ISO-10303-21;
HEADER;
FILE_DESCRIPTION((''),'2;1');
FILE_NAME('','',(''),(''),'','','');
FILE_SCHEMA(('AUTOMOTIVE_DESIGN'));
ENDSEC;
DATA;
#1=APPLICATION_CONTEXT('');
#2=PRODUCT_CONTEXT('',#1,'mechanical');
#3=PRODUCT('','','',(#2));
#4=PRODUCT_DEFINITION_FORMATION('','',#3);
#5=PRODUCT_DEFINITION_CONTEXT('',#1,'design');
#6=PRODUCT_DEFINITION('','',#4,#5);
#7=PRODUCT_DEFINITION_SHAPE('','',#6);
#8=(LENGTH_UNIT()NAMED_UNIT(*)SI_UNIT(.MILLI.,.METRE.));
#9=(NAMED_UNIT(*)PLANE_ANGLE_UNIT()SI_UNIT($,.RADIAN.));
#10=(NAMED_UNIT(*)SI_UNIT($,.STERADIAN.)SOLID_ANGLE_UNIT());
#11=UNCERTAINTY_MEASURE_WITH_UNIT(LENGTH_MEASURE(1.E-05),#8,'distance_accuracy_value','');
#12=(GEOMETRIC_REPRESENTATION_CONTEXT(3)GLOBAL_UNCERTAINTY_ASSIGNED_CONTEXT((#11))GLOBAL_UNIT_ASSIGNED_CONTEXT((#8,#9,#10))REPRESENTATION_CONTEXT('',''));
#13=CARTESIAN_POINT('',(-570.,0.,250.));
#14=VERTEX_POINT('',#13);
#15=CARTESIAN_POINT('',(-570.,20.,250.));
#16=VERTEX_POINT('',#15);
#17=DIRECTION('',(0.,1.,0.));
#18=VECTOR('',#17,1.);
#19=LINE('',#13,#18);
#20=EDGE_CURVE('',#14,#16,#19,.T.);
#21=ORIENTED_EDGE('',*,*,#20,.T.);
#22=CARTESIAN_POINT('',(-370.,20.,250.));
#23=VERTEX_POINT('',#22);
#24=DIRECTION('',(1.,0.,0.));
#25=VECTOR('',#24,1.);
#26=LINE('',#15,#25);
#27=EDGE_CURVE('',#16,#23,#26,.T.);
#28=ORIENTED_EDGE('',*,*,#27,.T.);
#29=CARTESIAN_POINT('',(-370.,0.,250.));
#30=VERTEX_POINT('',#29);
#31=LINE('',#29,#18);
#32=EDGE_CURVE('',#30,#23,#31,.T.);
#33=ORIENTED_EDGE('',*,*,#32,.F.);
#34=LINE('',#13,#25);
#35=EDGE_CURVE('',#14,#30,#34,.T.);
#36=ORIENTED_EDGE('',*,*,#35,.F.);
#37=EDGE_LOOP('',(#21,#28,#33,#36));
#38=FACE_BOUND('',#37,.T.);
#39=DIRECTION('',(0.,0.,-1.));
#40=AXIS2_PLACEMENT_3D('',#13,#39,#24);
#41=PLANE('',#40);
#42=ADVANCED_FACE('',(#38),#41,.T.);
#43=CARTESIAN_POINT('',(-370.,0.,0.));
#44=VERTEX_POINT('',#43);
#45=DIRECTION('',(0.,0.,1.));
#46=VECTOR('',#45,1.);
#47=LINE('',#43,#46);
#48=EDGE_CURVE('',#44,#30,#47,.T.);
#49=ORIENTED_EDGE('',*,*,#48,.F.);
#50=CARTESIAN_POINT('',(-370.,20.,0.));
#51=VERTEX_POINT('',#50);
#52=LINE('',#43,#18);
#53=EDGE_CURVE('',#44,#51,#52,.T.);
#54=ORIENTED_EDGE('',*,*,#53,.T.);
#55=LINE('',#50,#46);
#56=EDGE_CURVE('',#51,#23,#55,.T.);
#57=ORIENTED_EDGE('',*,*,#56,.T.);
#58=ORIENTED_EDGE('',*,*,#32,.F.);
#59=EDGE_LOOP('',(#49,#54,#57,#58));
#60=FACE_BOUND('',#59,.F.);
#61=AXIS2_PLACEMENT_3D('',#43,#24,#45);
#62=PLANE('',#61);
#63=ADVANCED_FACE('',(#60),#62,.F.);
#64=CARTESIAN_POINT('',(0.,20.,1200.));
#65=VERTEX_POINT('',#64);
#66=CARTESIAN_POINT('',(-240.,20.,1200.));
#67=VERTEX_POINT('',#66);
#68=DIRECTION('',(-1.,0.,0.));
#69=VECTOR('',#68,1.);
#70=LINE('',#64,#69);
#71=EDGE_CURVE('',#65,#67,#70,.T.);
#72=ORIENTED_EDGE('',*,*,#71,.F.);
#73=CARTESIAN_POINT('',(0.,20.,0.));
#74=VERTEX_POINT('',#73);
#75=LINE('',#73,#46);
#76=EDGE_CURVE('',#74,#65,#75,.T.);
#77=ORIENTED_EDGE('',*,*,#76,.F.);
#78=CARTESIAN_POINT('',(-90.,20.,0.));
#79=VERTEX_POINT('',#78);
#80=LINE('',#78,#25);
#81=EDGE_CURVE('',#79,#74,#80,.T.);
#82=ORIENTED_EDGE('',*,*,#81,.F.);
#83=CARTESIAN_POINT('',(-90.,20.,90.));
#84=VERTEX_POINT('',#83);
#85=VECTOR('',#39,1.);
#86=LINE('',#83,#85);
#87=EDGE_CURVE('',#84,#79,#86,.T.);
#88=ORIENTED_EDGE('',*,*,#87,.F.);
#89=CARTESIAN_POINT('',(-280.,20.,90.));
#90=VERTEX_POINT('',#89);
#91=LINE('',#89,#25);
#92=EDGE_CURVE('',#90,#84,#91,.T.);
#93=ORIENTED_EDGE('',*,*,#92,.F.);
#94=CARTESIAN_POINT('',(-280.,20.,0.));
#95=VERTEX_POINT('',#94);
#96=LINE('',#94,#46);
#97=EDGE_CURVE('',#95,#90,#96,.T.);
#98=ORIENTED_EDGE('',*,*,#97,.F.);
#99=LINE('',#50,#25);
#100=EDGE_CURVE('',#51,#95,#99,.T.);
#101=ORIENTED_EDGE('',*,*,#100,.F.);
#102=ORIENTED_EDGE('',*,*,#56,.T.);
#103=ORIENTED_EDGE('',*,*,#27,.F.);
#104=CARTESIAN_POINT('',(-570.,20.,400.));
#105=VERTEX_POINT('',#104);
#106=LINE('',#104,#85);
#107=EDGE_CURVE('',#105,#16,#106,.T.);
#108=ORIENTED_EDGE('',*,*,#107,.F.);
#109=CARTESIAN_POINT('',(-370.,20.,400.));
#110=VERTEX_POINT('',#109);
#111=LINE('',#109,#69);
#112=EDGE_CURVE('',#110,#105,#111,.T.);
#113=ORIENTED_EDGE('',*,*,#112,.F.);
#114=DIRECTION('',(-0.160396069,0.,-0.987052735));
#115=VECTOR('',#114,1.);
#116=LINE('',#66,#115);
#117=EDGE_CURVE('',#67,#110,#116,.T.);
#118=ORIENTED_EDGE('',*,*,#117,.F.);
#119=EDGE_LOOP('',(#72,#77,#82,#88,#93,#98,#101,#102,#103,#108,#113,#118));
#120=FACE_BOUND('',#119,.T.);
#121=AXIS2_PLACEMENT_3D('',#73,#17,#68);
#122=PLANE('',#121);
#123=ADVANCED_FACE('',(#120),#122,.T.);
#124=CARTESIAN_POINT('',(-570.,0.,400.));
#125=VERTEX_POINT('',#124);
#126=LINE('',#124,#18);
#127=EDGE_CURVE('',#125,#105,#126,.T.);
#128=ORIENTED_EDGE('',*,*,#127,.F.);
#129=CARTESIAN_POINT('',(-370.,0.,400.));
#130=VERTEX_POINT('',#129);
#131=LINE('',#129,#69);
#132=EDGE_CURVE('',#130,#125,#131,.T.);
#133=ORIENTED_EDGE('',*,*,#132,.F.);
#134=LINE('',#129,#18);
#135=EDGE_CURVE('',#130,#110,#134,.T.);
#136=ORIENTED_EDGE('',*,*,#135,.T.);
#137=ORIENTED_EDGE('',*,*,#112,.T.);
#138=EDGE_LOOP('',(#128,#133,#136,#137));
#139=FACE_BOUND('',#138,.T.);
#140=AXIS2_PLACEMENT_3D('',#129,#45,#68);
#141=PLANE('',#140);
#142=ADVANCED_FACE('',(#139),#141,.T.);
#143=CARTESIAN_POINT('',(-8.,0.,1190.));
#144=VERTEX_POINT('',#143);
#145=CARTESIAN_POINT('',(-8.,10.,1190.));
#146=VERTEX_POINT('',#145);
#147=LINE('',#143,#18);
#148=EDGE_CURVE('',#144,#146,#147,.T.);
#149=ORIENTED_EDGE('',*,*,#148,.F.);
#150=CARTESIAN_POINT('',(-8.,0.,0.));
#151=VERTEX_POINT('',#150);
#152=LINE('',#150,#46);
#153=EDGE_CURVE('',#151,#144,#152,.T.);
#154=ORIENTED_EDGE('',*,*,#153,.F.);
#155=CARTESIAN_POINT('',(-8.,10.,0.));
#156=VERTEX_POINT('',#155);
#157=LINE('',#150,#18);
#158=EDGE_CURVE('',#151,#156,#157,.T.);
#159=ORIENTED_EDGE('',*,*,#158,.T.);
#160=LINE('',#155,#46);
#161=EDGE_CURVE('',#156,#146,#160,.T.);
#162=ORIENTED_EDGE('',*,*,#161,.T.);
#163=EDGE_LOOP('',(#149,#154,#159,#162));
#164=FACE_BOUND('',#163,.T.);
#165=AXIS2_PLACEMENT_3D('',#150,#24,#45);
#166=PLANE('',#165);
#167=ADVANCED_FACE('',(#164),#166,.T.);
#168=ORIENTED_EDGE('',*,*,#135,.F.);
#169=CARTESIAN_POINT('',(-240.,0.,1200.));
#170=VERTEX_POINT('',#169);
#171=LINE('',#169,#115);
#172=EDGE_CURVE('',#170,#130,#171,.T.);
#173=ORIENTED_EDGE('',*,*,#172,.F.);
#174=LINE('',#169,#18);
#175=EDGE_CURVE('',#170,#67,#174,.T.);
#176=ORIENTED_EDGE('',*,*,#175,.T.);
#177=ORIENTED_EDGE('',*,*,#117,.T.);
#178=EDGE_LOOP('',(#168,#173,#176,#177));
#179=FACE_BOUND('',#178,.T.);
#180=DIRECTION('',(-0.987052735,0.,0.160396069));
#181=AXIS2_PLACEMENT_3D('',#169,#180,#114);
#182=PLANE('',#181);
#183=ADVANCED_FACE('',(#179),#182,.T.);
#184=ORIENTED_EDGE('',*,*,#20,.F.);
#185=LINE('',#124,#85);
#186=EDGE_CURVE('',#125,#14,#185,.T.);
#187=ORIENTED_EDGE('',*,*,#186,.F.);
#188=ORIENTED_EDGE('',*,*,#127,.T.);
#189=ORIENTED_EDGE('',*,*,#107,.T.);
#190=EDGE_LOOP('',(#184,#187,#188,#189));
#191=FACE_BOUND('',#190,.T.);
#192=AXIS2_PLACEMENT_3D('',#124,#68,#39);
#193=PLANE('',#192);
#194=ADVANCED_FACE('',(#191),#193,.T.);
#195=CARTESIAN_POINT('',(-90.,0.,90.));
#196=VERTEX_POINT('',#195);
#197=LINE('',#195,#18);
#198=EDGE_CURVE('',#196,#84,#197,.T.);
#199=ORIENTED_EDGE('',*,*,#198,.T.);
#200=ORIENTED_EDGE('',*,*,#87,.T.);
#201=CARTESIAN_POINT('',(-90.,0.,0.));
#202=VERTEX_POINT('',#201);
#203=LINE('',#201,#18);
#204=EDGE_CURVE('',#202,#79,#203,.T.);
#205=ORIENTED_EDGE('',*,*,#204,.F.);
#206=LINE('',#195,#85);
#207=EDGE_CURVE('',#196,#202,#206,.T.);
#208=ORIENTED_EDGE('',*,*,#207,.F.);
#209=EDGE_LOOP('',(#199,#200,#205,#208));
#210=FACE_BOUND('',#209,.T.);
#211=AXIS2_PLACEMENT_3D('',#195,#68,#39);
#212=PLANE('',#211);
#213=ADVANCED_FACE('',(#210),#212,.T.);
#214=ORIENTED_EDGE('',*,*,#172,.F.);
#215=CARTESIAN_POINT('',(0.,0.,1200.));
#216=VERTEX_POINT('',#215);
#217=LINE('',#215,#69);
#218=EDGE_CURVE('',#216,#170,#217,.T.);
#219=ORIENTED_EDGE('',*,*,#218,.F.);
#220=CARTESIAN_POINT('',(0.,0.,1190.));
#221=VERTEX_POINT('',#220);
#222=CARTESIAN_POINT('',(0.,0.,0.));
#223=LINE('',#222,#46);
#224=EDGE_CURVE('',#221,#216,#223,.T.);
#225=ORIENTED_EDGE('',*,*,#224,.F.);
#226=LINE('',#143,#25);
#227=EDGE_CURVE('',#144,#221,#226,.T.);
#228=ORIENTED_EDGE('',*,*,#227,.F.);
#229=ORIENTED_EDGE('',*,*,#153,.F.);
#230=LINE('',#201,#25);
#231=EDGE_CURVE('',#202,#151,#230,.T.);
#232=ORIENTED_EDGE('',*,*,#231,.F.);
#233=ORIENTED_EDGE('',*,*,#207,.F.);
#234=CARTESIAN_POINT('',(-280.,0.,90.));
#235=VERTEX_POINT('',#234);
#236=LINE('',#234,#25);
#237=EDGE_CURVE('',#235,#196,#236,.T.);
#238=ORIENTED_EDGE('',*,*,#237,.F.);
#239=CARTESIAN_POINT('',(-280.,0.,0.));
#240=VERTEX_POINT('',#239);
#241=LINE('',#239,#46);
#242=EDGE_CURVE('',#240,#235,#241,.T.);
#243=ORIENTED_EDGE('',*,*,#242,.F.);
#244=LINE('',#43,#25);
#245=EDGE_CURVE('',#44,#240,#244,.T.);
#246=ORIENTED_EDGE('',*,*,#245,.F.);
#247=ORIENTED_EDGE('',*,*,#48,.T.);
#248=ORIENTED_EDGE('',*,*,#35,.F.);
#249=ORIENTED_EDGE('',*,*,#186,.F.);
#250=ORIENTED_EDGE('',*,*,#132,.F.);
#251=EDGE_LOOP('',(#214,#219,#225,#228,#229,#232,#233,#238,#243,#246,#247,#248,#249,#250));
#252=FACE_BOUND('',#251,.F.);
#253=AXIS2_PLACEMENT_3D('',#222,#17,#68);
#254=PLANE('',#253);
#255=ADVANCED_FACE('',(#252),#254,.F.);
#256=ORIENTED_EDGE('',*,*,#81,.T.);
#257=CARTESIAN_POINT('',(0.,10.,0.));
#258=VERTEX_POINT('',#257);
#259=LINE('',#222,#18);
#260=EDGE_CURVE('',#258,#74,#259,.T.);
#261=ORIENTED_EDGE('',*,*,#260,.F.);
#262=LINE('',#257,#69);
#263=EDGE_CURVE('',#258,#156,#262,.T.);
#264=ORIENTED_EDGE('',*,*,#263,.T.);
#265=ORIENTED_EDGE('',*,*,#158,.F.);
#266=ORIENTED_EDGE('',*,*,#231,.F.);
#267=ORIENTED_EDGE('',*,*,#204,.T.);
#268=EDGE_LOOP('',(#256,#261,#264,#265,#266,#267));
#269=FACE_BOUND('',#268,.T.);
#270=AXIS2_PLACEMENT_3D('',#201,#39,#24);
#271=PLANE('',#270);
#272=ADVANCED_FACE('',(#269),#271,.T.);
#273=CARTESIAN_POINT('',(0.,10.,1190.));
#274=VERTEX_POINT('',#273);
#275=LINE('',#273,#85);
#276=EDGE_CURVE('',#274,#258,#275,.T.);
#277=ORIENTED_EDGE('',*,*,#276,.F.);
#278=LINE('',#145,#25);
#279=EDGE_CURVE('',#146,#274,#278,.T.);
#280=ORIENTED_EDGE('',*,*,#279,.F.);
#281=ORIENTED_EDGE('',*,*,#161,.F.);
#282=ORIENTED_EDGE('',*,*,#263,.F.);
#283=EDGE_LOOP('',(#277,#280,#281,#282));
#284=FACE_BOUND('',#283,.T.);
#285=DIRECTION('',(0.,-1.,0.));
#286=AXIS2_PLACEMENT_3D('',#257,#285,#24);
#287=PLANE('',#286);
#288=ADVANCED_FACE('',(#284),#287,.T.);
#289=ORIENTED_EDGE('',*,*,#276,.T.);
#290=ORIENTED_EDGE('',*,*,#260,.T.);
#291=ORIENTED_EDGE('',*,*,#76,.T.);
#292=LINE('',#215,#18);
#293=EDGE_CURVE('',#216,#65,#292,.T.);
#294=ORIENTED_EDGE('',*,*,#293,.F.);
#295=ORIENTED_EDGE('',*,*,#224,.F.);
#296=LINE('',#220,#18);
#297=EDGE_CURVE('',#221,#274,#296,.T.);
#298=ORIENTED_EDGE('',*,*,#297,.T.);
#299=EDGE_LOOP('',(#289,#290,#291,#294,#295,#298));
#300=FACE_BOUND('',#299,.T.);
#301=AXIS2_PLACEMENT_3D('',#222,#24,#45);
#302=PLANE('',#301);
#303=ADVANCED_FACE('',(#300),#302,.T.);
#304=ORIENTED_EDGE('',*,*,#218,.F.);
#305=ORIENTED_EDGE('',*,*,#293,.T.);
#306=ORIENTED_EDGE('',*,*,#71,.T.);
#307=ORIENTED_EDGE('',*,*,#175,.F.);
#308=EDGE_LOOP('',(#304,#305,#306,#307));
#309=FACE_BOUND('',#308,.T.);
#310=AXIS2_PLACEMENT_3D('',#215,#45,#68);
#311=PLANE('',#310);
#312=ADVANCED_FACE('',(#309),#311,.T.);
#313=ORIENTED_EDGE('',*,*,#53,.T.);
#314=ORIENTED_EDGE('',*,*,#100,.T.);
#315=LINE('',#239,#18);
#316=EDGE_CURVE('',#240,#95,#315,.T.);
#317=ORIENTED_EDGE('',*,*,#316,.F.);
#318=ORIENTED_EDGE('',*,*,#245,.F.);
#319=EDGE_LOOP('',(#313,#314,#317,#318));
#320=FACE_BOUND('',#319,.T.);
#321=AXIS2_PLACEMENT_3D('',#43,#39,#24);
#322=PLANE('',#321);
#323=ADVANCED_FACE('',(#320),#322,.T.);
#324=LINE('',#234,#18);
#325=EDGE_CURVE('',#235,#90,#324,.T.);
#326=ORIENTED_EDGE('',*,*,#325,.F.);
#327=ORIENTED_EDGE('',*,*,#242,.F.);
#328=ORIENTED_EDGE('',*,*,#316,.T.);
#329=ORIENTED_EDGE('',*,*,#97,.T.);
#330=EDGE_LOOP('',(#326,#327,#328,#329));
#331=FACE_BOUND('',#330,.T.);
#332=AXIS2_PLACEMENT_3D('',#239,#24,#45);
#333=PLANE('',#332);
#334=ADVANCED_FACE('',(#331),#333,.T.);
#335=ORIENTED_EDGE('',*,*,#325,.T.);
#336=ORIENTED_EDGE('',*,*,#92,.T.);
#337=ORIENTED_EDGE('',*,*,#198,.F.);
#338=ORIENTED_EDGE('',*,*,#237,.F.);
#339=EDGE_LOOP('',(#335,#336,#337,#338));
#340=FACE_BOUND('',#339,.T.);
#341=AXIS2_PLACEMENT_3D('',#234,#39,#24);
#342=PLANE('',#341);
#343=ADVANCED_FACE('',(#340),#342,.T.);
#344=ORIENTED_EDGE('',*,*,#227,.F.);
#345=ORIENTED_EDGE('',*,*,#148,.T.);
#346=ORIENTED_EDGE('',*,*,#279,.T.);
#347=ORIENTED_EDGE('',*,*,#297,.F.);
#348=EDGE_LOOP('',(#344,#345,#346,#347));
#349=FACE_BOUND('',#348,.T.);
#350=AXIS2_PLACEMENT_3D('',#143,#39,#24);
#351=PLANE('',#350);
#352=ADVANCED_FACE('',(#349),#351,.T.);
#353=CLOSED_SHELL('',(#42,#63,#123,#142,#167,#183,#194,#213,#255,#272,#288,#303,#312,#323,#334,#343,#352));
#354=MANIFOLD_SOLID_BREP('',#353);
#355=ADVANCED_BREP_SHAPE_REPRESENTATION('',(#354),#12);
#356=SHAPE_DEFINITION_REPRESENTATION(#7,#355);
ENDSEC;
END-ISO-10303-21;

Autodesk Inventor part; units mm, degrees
ref_plane "YZ Plane" through (0, 0, 0) normal (1, 0, 0) x (0, 1, 0)
ref_plane "XZ Plane" through (0, 0, 0) normal (0, 1, 0) x (-1, 0, 0)
ref_plane "XY Plane" through (0, 0, 0) normal (0, 0, 1) x (1, 0, 0)
sketch "Sketch1" plane through (0, 0, 0) normal (0, 1, 0) x (-1, 0, 0)
  line L0 (0, 0) -> (0, 1200)
  line L1 (0, 1200) -> (240, 1200)
  line L2 (370, 400) -> (570, 400)
  line L3 (240, 1200) -> (370, 400)
  line L4 (570, 400) -> (570, 250)
  line L5 (570, 250) -> (370, 250)
  line L6 (370, 0) -> (370, 250)
  line L7 (370, 0) -> (280, 0)
  line L8 (280, 0) -> (280, 90)
  line L9 (280, 90) -> (90, 90)
  line L10 (90, 90) -> (90, 0)
  line L11 (90, 0) -> (0, 0)
  dimension "d2" = 1200
  dimension "d4" = 200
  dimension "d8" = 370
  dimension "d9" = 150
  dimension "d10" = 250
  dimension "d11" = 90
  dimension "d12" = 90
  dimension "d13" = 190
  dimension "d14" = 240
extrude "Extrusion1" add sketch "Sketch1" along normal blind 20
sketch "Sketch2" plane through (0, 0, 0) normal (0, -1, 0) x (1, 0, 0)
  line L0 (0, 0) -> (0, 1200) projected
  line L1 (0, 1200) -> (-240, 1200) projected
  line L2 (-240, 1200) -> (-240, 400) projected
  line L3 (-370, 400) -> (-570, 400) projected
  line L4 (-570, 400) -> (-570, 0) projected
  line L5 (-570, 0) -> (0, 0) projected
sketch "Sketch3" plane through (0, 0, 0) normal (0, -1, 0) x (1, 0, 0)
  line L0 (0, 0) -> (0, 1200) projected
  line L1 (0, 1200) -> (-240, 1200) projected
  line L2 (-240, 1200) -> (-370, 400) projected
  line L3 (-370, 400) -> (-570, 400) projected
  line L4 (-570, 400) -> (-570, 250) projected
  line L5 (-570, 250) -> (-370, 250) projected
  line L6 (-370, 250) -> (-370, 0) projected
  line L7 (-370, 0) -> (-280, 0) projected
  line L8 (-280, 0) -> (-280, 90) projected
  line L9 (-280, 90) -> (-90, 90) projected
  line L10 (-90, 90) -> (-90, 0) projected
  line L11 (-90, 0) -> (0, 0) projected
sketch "Sketch4" plane through (0, 0, 0) normal (0, -1, 0) x (1, 0, 0)
  line L0 (0, 0) -> (-8, 0)
  line L1 (0, 0) -> (-8, 0)
  line L2 (-8, 0) -> (-8, 1190)
  line L3 (-8, 1190) -> (0, 1190)
  line L4 (0, 1190) -> (0, 0)
  dimension "d18" = 8
  dimension "d19" = 1190
extrude "Extrusion2" cut sketch "Sketch4" against normal blind 10
properties part number "seitenteil"
